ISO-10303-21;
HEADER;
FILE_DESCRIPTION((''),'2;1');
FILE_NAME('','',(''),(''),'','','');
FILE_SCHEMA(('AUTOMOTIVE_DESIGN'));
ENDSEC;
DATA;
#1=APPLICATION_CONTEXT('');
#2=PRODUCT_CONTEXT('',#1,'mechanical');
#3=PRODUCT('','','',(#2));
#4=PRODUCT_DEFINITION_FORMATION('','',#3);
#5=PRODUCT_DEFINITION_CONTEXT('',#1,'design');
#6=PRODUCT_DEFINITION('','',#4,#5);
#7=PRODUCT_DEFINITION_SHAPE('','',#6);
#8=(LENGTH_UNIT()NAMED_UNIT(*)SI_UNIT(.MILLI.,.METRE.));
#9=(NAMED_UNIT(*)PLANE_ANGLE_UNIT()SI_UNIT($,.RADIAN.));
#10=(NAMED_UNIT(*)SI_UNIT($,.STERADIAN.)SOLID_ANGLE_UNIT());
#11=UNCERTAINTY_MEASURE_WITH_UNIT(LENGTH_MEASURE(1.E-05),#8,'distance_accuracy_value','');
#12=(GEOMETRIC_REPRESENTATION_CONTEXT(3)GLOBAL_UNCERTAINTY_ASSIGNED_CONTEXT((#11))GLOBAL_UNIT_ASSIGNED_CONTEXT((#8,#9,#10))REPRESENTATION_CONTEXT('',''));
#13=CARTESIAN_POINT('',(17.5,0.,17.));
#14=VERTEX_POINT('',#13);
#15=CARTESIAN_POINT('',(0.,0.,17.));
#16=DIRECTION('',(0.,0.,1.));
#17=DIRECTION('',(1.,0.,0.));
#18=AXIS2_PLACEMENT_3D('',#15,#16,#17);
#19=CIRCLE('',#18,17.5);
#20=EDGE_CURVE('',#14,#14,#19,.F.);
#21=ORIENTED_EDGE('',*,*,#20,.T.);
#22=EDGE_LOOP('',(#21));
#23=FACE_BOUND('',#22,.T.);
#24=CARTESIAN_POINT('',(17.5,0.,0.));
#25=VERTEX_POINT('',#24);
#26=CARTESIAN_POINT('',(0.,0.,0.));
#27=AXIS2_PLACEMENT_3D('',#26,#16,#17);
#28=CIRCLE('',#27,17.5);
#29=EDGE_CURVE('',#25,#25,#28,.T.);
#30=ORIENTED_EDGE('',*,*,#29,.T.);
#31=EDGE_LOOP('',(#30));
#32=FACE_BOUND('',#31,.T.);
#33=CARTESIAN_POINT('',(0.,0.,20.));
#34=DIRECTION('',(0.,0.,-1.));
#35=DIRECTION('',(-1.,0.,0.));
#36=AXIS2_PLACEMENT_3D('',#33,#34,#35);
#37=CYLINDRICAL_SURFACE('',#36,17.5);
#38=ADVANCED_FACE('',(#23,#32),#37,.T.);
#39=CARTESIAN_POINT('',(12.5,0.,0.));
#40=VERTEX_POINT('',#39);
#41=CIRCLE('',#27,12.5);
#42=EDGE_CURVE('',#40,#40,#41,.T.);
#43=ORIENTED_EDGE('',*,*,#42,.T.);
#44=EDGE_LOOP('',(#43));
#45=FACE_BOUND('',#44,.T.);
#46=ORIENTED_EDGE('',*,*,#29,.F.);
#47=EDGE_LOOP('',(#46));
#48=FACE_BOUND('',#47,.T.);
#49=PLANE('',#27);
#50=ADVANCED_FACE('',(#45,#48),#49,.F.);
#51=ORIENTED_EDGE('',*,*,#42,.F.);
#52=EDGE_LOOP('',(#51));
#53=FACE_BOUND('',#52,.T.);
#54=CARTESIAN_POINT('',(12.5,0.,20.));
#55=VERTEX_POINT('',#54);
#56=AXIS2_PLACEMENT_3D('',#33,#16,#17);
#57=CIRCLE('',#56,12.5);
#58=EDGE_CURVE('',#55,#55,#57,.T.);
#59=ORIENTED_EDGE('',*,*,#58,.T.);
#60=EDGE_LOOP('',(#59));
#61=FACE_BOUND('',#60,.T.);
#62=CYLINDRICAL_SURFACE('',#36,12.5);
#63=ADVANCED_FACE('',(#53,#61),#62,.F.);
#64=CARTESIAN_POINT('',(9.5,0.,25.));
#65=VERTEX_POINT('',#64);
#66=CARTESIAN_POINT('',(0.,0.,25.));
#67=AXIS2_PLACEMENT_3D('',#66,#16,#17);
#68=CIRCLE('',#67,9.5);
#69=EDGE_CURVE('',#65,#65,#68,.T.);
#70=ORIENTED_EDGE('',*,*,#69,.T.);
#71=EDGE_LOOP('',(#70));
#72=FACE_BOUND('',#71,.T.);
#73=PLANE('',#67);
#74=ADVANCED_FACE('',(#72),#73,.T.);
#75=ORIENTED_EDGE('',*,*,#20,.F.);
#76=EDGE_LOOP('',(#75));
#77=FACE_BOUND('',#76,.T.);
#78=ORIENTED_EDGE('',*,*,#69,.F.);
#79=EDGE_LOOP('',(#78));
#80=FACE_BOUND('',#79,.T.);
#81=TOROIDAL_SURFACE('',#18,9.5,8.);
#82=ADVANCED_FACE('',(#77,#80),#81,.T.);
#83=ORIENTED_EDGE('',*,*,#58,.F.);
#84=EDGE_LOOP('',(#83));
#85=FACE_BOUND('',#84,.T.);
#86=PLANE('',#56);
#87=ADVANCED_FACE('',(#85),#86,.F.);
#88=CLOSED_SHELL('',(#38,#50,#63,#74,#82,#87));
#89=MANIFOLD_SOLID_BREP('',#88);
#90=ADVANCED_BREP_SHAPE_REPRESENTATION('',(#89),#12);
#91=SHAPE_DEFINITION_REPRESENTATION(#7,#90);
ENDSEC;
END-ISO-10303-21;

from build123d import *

# Parameters (mm, degrees)
SKETCH2_R           = 17.5
SKETCH2_R_2         = 12.5
BOSS_EXTRUDE1_DEPTH = 20
SKETCH3_R           = 17.5
BOSS_EXTRUDE2_DEPTH = 5
FILLET2_R           = 8


with BuildPart() as part:
    # Sketch2 → Boss-Extrude1 (new body)
    with BuildSketch(Plane.XY):
        Circle(SKETCH2_R)
        Circle(SKETCH2_R_2, mode=Mode.SUBTRACT)
    extrude(amount=BOSS_EXTRUDE1_DEPTH)

    # Sketch3 → Boss-Extrude2 (add)
    with BuildSketch(Plane.XY.offset(20)):
        Circle(SKETCH3_R)
    extrude(amount=BOSS_EXTRUDE2_DEPTH)

    # Fillet2
    fillet2_edges = [part.edges().sort_by_distance(p)[0] for p in [
        (-17.5, 0, 25),
    ]]
    fillet(fillet2_edges, radius=FILLET2_R)


solid = part.part
